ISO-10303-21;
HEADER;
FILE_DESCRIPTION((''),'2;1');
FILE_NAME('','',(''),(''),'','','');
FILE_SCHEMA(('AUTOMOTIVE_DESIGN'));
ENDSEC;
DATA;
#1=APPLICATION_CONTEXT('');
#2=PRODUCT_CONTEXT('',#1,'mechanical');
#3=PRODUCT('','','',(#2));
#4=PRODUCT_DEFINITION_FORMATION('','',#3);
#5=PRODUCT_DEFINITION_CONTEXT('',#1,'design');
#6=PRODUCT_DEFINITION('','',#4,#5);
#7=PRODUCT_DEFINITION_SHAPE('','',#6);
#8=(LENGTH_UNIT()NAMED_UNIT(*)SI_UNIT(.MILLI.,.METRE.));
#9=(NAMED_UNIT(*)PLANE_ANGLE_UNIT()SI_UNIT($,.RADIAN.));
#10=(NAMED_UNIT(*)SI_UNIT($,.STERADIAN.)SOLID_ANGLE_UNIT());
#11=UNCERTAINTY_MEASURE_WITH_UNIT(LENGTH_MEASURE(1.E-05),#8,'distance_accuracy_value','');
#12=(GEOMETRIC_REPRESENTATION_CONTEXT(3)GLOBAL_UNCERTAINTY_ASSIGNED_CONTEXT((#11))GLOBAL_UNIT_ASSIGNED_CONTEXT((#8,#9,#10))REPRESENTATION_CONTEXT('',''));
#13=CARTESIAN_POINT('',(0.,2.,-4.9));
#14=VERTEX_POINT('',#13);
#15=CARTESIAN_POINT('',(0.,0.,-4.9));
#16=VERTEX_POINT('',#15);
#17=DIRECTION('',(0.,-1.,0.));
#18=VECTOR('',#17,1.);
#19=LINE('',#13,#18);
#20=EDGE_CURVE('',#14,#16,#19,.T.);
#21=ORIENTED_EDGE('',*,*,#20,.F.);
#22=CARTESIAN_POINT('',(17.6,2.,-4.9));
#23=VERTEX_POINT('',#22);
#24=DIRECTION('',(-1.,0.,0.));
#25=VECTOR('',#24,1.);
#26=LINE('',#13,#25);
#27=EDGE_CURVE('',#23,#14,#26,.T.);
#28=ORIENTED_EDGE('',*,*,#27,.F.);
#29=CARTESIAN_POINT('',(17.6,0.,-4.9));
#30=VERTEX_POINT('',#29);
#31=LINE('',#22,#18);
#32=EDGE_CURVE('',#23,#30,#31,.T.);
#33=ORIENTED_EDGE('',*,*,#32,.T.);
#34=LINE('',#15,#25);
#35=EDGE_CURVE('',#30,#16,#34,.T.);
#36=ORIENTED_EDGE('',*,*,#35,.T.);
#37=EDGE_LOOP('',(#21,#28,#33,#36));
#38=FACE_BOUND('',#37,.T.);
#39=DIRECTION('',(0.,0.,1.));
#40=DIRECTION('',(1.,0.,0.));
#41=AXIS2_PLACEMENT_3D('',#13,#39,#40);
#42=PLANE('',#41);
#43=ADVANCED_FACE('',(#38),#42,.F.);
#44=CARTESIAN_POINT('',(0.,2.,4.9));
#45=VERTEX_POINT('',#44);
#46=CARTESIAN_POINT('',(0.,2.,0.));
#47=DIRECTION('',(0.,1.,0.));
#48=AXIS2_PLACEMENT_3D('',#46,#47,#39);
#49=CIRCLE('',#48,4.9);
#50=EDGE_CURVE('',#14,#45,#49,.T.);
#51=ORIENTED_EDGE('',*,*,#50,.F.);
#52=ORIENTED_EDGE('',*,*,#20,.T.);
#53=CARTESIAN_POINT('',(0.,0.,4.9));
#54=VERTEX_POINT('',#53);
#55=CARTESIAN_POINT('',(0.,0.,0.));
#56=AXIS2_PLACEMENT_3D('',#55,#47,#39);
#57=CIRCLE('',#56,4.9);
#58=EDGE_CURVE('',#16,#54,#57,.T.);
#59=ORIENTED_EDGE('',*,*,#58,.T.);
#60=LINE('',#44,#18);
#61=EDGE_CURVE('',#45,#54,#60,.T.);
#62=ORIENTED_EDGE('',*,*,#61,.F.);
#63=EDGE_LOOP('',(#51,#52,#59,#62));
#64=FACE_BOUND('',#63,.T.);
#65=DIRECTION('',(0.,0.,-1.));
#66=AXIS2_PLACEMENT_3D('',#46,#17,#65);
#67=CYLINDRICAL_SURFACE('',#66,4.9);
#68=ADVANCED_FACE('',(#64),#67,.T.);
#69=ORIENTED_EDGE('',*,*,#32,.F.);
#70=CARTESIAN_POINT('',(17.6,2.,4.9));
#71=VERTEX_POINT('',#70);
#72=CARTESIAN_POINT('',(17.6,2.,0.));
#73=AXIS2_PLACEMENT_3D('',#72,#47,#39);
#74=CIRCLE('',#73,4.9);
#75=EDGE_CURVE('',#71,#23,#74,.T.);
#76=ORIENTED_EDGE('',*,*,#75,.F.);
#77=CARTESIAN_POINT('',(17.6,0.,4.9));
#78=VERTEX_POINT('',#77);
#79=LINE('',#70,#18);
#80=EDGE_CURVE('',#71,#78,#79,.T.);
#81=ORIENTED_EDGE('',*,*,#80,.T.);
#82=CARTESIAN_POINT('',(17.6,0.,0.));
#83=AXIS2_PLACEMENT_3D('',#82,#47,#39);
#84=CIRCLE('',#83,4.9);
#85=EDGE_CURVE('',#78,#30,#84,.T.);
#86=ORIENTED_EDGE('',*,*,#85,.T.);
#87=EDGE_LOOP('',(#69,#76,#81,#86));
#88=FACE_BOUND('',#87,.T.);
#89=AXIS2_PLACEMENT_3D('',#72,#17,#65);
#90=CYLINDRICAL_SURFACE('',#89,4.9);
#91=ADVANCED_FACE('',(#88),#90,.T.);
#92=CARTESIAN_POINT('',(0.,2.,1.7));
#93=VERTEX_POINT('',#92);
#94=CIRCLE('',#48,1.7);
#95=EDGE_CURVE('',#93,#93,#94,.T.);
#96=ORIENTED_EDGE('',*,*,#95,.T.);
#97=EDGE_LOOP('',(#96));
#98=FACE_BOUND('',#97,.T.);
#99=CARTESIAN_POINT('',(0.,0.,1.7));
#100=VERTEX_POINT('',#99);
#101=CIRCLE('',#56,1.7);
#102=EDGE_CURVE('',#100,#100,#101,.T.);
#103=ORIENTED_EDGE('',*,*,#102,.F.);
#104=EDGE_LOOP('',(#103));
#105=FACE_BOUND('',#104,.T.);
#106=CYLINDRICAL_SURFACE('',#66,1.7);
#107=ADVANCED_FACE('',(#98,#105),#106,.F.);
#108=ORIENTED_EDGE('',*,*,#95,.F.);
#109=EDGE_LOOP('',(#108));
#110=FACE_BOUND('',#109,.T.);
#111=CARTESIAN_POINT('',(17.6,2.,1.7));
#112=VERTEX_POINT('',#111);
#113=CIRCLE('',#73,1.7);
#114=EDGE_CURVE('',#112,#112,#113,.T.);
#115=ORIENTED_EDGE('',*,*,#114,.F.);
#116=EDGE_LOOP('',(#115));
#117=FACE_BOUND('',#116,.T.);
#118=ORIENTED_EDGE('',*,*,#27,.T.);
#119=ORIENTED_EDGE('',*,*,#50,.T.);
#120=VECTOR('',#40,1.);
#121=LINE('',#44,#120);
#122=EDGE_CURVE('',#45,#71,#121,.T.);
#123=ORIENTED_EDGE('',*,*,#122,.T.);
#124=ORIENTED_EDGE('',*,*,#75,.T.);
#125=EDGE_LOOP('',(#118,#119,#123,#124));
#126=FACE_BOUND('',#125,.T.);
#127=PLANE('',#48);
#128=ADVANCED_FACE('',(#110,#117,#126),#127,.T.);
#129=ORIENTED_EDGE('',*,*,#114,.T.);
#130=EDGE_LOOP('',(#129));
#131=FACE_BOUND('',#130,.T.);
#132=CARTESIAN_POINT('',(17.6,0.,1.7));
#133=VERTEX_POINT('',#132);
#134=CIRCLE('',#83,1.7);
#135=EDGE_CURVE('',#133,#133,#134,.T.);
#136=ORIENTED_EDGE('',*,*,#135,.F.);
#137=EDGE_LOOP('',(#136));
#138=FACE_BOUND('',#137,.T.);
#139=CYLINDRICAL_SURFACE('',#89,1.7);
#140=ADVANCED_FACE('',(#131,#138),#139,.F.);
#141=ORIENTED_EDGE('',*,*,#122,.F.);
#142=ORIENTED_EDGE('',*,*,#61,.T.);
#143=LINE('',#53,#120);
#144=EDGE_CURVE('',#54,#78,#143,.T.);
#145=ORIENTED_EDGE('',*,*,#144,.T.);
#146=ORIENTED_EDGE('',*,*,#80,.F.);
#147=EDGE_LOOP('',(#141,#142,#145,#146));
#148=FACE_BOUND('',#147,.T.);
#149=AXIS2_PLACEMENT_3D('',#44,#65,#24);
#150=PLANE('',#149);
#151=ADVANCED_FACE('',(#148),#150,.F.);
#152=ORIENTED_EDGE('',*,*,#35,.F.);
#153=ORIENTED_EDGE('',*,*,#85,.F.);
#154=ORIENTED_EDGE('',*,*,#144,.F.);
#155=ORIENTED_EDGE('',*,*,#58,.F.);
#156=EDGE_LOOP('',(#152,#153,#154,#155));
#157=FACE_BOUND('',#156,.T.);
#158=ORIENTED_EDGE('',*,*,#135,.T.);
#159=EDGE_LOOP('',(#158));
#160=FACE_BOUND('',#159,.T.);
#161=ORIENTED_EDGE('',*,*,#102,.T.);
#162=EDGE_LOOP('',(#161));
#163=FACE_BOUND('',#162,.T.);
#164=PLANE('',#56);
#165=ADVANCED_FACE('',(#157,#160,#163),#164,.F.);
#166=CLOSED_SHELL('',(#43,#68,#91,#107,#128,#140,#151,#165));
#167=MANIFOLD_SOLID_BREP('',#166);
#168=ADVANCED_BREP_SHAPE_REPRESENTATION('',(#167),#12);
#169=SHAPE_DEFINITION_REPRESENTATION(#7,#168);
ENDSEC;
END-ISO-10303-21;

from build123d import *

# Parameters (mm, degrees)
SKETCH1_R           = 1.7
BOSS_EXTRUDE1_DEPTH = 2


with BuildPart() as part:
    # Sketch1 → Boss-Extrude1 (new body)
    with BuildSketch(Plane(origin=(0, 0, 0), x_dir=(1, 0, 0), z_dir=(0, 1, 0))):
        with BuildLine():
            Line((0, 4.9), (17.6, 4.9))
            ThreePointArc((17.6, 4.9), (22.5, 0), (17.6, -4.9))
            Line((17.6, -4.9), (0, -4.9))
            ThreePointArc((0, -4.9), (-4.9, 0), (0, 4.9))
        make_face()
        with Locations(Location((0, 0, 0), (0, 0, 270))):
            Circle(SKETCH1_R, mode=Mode.SUBTRACT)
        with Locations(Location((17.6, 0, 0), (0, 0, 270))):
            Circle(SKETCH1_R, mode=Mode.SUBTRACT)
    extrude(amount=BOSS_EXTRUDE1_DEPTH)


solid = part.part
